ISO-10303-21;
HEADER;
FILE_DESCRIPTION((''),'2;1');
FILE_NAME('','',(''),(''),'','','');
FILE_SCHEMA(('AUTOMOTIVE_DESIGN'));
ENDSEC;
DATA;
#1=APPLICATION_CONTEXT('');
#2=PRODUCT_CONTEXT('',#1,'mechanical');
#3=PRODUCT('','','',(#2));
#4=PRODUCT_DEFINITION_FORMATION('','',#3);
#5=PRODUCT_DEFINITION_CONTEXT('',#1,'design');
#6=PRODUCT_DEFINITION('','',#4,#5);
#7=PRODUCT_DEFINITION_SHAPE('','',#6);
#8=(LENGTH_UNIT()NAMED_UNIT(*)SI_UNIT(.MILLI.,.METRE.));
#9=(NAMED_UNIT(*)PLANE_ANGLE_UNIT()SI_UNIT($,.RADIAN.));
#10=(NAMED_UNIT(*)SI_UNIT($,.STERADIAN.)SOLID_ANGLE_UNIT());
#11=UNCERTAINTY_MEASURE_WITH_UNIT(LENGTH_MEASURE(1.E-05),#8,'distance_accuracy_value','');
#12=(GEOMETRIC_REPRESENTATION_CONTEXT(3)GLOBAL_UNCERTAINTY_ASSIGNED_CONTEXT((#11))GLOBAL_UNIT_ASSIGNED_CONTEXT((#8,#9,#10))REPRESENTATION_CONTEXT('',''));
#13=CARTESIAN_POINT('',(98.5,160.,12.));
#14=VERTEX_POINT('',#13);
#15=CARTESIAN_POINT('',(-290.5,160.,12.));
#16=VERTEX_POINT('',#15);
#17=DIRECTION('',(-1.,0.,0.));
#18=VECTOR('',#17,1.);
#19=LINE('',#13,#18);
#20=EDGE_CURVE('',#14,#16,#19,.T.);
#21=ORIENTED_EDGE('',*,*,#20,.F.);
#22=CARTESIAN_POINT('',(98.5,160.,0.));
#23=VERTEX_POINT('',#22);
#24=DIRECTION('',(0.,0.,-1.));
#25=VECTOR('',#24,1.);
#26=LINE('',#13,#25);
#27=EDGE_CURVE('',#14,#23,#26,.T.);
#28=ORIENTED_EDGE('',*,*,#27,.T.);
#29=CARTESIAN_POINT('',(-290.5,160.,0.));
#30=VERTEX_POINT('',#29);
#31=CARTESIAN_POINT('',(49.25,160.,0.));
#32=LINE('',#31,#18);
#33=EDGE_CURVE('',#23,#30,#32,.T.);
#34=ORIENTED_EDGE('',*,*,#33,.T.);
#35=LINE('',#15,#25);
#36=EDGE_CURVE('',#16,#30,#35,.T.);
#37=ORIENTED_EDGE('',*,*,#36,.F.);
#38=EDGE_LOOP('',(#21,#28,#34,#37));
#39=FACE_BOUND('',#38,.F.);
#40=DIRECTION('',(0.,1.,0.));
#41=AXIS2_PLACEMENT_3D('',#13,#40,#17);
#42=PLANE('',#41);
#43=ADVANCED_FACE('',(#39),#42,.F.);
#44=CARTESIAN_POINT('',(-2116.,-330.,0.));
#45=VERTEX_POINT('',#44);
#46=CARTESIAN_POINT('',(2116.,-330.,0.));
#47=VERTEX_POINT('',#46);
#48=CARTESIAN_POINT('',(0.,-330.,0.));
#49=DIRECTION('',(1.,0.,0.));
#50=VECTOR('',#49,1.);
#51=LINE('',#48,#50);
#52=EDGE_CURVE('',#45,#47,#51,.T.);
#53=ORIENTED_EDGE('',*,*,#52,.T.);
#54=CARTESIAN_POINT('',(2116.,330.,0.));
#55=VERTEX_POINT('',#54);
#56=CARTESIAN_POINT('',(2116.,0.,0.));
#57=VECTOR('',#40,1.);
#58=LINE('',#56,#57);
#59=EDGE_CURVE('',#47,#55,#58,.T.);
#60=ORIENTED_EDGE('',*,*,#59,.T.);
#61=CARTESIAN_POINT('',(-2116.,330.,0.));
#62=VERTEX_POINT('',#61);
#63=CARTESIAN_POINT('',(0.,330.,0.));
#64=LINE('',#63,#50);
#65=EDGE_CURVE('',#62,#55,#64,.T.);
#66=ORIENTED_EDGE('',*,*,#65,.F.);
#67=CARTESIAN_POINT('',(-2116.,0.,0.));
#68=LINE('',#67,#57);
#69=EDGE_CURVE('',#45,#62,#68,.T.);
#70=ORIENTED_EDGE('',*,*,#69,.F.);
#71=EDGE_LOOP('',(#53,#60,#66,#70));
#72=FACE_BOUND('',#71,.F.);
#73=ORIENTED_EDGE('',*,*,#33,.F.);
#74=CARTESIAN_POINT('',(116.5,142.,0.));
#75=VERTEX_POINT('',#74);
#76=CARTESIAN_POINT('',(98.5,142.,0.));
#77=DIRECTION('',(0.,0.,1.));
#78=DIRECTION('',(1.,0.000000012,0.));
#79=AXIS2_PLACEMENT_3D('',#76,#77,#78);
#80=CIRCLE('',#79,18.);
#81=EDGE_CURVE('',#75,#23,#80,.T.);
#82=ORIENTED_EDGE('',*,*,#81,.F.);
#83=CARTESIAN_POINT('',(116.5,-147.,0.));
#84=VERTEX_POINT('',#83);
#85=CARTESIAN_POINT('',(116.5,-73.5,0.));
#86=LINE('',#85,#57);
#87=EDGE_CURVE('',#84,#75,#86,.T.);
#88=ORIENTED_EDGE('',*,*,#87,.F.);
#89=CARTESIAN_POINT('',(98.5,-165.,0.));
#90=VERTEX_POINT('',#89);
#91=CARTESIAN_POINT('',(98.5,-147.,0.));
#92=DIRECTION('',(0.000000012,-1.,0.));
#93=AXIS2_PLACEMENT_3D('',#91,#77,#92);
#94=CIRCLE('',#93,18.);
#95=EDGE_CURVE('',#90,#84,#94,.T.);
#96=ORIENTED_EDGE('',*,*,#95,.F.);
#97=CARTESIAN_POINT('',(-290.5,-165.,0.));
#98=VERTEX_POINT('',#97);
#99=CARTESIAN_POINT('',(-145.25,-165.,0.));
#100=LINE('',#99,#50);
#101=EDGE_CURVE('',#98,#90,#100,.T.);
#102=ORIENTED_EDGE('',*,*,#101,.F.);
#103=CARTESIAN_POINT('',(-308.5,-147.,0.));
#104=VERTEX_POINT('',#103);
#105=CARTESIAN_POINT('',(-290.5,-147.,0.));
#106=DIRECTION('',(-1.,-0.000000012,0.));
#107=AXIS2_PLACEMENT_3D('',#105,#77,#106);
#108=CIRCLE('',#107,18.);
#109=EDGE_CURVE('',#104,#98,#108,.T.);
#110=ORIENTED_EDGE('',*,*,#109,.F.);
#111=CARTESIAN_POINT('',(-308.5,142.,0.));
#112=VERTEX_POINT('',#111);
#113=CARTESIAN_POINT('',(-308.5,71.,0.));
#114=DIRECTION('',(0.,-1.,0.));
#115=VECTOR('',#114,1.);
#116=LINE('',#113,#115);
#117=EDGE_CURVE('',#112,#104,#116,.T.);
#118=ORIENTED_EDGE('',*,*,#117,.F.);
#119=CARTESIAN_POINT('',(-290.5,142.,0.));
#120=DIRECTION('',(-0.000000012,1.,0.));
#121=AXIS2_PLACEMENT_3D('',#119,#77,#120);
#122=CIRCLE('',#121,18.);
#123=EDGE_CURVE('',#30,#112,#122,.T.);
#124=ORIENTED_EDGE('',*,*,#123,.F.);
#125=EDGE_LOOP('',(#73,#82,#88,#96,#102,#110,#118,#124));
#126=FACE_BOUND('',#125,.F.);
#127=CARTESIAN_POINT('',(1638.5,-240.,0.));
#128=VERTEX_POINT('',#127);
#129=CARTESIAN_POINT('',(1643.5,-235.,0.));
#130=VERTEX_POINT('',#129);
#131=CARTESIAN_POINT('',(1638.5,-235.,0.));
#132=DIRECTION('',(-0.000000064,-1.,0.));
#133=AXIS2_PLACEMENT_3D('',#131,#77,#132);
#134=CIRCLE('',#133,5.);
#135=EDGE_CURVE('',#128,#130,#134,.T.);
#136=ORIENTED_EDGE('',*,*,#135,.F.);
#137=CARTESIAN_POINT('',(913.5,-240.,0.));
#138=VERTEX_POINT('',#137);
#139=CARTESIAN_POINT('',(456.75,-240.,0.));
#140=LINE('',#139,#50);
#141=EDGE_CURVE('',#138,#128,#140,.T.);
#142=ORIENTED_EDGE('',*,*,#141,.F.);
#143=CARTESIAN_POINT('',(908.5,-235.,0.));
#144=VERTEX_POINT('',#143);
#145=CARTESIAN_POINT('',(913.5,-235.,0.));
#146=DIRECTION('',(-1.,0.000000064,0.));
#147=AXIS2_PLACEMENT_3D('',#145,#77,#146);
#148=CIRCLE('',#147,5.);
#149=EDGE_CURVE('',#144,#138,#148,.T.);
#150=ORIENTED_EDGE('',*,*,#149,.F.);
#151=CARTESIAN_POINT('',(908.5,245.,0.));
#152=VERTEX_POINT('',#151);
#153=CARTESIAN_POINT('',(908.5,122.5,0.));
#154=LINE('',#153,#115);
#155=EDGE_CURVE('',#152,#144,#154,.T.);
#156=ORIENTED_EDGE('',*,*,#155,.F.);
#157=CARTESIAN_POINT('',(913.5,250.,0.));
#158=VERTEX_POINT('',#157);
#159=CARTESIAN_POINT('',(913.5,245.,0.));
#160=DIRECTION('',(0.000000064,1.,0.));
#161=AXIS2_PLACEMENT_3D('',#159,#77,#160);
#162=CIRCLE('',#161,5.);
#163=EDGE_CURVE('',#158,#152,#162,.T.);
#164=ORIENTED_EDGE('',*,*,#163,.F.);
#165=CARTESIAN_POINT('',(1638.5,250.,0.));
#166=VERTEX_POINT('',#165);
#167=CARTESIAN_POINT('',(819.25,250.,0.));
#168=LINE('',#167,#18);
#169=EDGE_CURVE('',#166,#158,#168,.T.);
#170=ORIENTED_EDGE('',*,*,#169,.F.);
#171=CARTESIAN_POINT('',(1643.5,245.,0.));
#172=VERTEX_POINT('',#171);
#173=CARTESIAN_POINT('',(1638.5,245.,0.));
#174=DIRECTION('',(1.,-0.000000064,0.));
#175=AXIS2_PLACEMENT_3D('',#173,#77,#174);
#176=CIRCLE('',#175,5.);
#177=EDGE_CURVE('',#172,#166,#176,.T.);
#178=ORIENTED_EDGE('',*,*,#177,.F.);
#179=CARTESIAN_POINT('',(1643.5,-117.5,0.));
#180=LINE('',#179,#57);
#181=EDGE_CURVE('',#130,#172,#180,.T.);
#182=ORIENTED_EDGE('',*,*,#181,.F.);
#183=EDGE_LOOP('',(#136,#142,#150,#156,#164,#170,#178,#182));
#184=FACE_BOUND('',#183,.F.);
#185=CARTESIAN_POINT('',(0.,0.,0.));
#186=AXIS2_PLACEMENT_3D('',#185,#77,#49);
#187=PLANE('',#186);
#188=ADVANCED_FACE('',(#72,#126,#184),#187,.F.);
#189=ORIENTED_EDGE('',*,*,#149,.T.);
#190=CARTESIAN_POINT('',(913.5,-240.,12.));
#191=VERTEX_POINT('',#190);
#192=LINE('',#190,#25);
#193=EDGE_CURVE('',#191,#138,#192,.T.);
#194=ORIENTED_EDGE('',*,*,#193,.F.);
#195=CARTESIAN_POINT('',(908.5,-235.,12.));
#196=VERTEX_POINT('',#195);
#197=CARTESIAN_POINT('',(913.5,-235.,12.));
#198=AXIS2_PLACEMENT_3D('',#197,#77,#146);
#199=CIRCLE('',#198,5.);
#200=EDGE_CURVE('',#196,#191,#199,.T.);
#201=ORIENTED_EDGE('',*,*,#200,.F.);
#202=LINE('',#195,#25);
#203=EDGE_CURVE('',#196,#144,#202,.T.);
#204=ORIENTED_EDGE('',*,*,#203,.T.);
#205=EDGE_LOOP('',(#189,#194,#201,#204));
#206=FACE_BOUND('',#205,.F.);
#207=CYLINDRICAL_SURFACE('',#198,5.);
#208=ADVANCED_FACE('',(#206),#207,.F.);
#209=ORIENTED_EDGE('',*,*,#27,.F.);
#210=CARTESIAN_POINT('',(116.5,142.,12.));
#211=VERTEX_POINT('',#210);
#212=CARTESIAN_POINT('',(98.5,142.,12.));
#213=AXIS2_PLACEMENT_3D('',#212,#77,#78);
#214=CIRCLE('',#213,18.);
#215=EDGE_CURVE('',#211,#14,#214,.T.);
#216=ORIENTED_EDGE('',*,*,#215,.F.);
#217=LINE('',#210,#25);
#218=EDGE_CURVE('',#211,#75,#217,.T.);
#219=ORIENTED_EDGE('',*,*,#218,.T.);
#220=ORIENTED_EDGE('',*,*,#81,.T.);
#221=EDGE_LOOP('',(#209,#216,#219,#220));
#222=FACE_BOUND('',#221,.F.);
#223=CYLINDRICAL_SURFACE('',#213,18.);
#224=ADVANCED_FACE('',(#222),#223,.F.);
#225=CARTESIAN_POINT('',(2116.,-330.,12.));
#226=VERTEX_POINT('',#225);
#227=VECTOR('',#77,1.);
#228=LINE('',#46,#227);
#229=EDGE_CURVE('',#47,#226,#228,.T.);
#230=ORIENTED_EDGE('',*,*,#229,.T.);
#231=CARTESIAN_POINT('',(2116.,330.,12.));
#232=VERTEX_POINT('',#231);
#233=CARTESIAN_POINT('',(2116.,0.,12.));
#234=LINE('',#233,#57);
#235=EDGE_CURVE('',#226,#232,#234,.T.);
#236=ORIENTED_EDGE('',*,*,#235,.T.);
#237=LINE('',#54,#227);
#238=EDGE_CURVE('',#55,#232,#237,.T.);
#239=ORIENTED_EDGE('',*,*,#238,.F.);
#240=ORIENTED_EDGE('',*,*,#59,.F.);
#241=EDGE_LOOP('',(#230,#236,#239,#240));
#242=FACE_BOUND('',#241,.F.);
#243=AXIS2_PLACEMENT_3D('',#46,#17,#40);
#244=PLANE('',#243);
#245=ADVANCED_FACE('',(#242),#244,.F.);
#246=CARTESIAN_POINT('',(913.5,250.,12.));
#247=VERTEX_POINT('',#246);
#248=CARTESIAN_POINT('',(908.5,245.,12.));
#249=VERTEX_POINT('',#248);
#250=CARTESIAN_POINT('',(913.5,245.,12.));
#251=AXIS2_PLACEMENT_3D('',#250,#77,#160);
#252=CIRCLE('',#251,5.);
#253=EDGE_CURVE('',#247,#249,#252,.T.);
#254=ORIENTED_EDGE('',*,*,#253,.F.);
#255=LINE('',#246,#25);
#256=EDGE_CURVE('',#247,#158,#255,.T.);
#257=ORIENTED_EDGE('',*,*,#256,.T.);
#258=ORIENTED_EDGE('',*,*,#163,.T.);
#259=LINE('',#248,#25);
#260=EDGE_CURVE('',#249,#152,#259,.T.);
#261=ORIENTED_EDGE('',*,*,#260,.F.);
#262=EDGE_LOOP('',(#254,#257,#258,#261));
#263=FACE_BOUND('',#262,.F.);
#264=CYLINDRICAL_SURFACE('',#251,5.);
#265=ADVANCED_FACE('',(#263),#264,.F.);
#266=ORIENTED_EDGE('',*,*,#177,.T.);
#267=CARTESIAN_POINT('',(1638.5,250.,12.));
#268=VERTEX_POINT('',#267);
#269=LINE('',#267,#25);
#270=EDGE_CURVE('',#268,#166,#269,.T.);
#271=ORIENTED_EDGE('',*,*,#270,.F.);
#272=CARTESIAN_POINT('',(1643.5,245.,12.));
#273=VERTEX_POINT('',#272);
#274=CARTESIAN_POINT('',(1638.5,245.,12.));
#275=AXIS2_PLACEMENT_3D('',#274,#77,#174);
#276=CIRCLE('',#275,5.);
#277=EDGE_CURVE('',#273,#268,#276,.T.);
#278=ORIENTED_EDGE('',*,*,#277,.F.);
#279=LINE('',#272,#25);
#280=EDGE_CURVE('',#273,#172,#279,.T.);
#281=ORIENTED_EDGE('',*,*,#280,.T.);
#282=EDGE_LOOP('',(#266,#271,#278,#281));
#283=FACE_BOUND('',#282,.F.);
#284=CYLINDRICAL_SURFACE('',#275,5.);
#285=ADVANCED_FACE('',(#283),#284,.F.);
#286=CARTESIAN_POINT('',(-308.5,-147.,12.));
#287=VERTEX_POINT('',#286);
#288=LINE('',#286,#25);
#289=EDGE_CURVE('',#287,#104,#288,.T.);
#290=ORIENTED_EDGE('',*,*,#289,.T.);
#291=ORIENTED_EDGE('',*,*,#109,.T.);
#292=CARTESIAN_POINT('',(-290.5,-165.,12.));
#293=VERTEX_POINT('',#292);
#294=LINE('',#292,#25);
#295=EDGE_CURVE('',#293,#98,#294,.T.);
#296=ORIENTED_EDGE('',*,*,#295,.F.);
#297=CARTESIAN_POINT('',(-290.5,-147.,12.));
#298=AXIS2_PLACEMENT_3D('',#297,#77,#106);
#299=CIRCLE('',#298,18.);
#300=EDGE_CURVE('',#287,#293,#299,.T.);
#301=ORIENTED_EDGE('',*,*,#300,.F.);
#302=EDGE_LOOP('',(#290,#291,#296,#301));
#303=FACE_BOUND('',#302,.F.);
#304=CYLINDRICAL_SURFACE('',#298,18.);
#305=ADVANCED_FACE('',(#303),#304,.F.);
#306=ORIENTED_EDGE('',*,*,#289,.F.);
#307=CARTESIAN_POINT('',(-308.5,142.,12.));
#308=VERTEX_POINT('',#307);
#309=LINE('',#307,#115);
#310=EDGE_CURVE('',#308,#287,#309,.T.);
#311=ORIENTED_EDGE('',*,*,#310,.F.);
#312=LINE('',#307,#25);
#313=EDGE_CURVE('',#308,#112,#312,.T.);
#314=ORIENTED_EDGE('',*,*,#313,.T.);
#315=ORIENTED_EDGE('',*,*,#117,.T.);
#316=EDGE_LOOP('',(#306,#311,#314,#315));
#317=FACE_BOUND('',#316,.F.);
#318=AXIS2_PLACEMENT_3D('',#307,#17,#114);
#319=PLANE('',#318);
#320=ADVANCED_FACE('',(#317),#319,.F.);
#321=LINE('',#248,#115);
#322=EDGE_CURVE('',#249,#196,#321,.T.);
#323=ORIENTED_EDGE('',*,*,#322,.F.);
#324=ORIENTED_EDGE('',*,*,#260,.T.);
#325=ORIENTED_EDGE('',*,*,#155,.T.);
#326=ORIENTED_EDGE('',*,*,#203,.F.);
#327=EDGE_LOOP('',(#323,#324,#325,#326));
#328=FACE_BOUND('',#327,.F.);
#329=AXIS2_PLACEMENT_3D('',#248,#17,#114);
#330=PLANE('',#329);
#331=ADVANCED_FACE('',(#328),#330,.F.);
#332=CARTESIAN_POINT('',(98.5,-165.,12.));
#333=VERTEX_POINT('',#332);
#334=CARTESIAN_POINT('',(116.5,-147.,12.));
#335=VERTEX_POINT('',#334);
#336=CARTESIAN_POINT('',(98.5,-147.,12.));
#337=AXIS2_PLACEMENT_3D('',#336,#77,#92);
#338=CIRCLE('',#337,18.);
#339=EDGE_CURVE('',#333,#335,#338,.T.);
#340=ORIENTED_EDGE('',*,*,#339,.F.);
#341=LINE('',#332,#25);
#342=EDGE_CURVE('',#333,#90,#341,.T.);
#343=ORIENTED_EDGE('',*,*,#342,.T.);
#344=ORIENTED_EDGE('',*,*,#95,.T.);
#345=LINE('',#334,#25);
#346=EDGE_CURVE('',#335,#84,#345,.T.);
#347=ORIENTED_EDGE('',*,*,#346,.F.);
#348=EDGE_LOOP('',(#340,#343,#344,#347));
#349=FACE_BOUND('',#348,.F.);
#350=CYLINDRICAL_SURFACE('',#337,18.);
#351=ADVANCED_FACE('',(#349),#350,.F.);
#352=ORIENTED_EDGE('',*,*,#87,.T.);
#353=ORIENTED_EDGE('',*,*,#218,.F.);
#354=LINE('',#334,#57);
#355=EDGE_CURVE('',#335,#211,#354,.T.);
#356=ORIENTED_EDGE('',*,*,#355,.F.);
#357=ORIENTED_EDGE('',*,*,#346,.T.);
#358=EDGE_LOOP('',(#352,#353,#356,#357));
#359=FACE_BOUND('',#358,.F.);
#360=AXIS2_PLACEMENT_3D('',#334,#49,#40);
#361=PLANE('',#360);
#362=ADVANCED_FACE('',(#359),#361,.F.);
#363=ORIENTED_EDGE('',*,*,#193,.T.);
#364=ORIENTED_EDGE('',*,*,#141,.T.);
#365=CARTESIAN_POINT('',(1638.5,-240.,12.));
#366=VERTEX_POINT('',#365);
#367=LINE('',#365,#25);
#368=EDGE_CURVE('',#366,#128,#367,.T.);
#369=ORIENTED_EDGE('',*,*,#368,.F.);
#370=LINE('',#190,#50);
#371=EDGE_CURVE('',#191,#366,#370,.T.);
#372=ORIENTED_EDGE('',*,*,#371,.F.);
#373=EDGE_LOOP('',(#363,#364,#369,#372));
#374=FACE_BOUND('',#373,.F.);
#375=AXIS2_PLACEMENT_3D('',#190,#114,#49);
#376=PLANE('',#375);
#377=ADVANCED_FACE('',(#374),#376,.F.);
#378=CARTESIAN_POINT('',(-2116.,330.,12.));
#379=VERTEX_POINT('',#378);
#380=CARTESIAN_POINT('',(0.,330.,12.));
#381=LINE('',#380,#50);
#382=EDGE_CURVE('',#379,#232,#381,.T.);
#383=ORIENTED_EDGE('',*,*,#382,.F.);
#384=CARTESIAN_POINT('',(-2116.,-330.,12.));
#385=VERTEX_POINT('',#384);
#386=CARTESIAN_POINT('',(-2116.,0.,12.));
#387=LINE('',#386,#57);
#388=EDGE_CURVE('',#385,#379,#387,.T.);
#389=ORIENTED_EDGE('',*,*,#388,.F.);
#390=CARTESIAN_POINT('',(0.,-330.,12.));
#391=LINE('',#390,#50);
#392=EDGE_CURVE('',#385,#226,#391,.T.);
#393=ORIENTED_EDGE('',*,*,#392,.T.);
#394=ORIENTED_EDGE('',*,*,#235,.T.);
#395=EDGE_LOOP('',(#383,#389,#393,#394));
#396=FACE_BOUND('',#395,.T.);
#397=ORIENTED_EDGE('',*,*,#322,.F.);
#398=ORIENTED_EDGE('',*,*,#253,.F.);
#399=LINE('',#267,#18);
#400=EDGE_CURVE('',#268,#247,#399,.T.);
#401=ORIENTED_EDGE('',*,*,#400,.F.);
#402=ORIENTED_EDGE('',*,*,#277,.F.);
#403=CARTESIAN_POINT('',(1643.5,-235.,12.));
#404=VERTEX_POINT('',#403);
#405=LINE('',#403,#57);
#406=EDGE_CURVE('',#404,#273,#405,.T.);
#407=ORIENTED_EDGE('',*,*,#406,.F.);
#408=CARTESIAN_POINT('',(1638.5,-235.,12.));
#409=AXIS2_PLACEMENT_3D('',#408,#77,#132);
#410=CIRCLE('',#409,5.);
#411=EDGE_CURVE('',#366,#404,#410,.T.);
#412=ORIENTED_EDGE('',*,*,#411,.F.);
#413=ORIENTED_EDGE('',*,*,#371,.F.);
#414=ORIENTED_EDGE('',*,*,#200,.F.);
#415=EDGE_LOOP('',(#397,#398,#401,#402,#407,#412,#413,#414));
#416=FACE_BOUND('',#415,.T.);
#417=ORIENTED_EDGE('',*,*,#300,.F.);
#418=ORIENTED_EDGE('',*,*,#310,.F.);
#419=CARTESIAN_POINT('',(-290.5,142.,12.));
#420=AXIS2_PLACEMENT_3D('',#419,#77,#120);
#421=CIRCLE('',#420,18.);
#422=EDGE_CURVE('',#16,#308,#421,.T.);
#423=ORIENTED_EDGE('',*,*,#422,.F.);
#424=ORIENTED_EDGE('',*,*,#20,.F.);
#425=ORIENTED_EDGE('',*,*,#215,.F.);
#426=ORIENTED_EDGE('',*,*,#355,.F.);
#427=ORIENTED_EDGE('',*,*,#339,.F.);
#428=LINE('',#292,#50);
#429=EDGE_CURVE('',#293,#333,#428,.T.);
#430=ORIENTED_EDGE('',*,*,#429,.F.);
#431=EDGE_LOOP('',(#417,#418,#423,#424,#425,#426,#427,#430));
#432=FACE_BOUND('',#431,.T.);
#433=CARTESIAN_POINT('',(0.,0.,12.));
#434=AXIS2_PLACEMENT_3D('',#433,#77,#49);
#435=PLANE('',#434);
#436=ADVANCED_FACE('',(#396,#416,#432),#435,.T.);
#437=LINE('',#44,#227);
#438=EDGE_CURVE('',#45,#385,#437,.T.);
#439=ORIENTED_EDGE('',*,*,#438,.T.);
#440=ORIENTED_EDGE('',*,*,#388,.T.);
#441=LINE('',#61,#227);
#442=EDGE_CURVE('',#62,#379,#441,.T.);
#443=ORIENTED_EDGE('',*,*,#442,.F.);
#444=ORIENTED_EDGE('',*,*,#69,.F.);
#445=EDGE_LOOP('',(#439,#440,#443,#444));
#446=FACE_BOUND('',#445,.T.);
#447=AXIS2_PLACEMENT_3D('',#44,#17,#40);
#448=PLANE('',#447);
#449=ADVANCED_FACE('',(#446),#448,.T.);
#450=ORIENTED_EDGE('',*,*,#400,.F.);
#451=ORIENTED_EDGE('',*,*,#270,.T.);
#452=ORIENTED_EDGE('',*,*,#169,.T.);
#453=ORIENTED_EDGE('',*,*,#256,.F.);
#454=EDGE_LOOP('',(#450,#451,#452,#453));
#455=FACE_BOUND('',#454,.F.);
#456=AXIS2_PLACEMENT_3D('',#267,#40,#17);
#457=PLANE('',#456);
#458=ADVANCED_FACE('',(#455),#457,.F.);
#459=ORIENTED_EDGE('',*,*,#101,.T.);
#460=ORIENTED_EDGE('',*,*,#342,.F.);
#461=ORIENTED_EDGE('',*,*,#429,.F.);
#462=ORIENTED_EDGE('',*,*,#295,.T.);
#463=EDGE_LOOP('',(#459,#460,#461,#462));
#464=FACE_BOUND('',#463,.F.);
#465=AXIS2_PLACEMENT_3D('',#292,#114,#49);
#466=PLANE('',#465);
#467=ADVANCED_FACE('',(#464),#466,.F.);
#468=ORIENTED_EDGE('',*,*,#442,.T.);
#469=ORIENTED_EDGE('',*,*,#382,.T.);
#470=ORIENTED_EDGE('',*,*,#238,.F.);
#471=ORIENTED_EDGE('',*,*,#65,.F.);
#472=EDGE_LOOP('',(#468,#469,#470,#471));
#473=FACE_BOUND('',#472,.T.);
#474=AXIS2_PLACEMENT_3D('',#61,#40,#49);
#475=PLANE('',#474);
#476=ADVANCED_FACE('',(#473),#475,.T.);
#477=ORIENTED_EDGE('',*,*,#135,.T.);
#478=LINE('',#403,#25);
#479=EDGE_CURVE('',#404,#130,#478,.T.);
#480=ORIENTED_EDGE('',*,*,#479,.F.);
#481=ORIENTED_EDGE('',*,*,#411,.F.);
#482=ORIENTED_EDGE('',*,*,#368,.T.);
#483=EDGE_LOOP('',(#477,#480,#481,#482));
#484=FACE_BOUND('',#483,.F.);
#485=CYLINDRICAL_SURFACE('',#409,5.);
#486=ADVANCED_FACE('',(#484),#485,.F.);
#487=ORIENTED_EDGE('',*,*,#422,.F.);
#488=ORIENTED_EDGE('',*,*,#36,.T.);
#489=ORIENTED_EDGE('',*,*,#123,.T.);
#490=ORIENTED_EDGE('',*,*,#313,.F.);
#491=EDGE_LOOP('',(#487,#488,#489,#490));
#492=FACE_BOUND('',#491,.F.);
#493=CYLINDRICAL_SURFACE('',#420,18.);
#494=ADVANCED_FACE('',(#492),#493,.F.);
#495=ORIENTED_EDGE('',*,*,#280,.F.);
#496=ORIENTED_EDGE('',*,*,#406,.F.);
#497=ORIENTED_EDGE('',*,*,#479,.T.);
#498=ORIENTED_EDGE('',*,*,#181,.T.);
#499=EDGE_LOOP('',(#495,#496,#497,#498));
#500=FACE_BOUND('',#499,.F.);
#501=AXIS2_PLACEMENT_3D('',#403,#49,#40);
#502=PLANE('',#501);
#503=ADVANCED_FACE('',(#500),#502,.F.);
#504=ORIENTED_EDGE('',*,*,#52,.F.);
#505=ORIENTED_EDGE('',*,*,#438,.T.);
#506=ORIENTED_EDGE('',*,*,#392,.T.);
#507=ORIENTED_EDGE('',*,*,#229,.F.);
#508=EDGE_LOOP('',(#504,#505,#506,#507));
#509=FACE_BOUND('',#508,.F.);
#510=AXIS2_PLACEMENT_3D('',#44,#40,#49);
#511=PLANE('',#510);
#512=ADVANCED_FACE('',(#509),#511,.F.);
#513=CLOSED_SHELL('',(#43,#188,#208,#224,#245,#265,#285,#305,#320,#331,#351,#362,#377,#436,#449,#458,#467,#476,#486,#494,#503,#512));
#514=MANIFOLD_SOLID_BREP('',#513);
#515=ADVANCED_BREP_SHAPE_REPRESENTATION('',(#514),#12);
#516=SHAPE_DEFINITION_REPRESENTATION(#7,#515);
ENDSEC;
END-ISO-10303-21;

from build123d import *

# Parameters (mm, degrees)
F0_W     = 4232
F0_H     = 660
F1_DEPTH = 12
F3_DEPTH = 30


with BuildPart() as f1:
    # F0 (on Top) → F1 (new body)
    with BuildSketch(Plane.XY):
        Rectangle(F0_W, F0_H)
    extrude(amount=F1_DEPTH)

    # F2 (on face) → F3 (cut)
    with BuildSketch(Plane.XY.offset(12)):
        with BuildLine():
            Line((98.5, 160), (-290.5, 160))
            ThreePointArc((-290.5, 160), (-303.227922, 154.727922), (-308.5, 142))
            Line((-308.5, 142), (-308.5, -147))
            ThreePointArc((-308.5, -147), (-303.227922, -159.727922), (-290.5, -165))
            Line((-290.5, -165), (98.5, -165))
            ThreePointArc((98.5, -165), (111.227922, -159.727922), (116.5, -147))
            Line((116.5, -147), (116.5, 142))
            ThreePointArc((116.5, 142), (111.227922, 154.727922), (98.5, 160))
        make_face()
        with BuildLine():
            Line((1638.5, 250), (913.5, 250))
            ThreePointArc((913.5, 250), (909.964466, 248.535534), (908.5, 245))
            Line((908.5, 245), (908.5, -235))
            ThreePointArc((908.5, -235), (909.964466, -238.535534), (913.5, -240))
            Line((913.5, -240), (1638.5, -240))
            ThreePointArc((1638.5, -240), (1642.035534, -238.535534), (1643.5, -235))
            Line((1643.5, -235), (1643.5, 245))
            ThreePointArc((1643.5, 245), (1642.035534, 248.535534), (1638.5, 250))
        make_face()
    extrude(amount=-F3_DEPTH, mode=Mode.SUBTRACT)


solid = f1.part
